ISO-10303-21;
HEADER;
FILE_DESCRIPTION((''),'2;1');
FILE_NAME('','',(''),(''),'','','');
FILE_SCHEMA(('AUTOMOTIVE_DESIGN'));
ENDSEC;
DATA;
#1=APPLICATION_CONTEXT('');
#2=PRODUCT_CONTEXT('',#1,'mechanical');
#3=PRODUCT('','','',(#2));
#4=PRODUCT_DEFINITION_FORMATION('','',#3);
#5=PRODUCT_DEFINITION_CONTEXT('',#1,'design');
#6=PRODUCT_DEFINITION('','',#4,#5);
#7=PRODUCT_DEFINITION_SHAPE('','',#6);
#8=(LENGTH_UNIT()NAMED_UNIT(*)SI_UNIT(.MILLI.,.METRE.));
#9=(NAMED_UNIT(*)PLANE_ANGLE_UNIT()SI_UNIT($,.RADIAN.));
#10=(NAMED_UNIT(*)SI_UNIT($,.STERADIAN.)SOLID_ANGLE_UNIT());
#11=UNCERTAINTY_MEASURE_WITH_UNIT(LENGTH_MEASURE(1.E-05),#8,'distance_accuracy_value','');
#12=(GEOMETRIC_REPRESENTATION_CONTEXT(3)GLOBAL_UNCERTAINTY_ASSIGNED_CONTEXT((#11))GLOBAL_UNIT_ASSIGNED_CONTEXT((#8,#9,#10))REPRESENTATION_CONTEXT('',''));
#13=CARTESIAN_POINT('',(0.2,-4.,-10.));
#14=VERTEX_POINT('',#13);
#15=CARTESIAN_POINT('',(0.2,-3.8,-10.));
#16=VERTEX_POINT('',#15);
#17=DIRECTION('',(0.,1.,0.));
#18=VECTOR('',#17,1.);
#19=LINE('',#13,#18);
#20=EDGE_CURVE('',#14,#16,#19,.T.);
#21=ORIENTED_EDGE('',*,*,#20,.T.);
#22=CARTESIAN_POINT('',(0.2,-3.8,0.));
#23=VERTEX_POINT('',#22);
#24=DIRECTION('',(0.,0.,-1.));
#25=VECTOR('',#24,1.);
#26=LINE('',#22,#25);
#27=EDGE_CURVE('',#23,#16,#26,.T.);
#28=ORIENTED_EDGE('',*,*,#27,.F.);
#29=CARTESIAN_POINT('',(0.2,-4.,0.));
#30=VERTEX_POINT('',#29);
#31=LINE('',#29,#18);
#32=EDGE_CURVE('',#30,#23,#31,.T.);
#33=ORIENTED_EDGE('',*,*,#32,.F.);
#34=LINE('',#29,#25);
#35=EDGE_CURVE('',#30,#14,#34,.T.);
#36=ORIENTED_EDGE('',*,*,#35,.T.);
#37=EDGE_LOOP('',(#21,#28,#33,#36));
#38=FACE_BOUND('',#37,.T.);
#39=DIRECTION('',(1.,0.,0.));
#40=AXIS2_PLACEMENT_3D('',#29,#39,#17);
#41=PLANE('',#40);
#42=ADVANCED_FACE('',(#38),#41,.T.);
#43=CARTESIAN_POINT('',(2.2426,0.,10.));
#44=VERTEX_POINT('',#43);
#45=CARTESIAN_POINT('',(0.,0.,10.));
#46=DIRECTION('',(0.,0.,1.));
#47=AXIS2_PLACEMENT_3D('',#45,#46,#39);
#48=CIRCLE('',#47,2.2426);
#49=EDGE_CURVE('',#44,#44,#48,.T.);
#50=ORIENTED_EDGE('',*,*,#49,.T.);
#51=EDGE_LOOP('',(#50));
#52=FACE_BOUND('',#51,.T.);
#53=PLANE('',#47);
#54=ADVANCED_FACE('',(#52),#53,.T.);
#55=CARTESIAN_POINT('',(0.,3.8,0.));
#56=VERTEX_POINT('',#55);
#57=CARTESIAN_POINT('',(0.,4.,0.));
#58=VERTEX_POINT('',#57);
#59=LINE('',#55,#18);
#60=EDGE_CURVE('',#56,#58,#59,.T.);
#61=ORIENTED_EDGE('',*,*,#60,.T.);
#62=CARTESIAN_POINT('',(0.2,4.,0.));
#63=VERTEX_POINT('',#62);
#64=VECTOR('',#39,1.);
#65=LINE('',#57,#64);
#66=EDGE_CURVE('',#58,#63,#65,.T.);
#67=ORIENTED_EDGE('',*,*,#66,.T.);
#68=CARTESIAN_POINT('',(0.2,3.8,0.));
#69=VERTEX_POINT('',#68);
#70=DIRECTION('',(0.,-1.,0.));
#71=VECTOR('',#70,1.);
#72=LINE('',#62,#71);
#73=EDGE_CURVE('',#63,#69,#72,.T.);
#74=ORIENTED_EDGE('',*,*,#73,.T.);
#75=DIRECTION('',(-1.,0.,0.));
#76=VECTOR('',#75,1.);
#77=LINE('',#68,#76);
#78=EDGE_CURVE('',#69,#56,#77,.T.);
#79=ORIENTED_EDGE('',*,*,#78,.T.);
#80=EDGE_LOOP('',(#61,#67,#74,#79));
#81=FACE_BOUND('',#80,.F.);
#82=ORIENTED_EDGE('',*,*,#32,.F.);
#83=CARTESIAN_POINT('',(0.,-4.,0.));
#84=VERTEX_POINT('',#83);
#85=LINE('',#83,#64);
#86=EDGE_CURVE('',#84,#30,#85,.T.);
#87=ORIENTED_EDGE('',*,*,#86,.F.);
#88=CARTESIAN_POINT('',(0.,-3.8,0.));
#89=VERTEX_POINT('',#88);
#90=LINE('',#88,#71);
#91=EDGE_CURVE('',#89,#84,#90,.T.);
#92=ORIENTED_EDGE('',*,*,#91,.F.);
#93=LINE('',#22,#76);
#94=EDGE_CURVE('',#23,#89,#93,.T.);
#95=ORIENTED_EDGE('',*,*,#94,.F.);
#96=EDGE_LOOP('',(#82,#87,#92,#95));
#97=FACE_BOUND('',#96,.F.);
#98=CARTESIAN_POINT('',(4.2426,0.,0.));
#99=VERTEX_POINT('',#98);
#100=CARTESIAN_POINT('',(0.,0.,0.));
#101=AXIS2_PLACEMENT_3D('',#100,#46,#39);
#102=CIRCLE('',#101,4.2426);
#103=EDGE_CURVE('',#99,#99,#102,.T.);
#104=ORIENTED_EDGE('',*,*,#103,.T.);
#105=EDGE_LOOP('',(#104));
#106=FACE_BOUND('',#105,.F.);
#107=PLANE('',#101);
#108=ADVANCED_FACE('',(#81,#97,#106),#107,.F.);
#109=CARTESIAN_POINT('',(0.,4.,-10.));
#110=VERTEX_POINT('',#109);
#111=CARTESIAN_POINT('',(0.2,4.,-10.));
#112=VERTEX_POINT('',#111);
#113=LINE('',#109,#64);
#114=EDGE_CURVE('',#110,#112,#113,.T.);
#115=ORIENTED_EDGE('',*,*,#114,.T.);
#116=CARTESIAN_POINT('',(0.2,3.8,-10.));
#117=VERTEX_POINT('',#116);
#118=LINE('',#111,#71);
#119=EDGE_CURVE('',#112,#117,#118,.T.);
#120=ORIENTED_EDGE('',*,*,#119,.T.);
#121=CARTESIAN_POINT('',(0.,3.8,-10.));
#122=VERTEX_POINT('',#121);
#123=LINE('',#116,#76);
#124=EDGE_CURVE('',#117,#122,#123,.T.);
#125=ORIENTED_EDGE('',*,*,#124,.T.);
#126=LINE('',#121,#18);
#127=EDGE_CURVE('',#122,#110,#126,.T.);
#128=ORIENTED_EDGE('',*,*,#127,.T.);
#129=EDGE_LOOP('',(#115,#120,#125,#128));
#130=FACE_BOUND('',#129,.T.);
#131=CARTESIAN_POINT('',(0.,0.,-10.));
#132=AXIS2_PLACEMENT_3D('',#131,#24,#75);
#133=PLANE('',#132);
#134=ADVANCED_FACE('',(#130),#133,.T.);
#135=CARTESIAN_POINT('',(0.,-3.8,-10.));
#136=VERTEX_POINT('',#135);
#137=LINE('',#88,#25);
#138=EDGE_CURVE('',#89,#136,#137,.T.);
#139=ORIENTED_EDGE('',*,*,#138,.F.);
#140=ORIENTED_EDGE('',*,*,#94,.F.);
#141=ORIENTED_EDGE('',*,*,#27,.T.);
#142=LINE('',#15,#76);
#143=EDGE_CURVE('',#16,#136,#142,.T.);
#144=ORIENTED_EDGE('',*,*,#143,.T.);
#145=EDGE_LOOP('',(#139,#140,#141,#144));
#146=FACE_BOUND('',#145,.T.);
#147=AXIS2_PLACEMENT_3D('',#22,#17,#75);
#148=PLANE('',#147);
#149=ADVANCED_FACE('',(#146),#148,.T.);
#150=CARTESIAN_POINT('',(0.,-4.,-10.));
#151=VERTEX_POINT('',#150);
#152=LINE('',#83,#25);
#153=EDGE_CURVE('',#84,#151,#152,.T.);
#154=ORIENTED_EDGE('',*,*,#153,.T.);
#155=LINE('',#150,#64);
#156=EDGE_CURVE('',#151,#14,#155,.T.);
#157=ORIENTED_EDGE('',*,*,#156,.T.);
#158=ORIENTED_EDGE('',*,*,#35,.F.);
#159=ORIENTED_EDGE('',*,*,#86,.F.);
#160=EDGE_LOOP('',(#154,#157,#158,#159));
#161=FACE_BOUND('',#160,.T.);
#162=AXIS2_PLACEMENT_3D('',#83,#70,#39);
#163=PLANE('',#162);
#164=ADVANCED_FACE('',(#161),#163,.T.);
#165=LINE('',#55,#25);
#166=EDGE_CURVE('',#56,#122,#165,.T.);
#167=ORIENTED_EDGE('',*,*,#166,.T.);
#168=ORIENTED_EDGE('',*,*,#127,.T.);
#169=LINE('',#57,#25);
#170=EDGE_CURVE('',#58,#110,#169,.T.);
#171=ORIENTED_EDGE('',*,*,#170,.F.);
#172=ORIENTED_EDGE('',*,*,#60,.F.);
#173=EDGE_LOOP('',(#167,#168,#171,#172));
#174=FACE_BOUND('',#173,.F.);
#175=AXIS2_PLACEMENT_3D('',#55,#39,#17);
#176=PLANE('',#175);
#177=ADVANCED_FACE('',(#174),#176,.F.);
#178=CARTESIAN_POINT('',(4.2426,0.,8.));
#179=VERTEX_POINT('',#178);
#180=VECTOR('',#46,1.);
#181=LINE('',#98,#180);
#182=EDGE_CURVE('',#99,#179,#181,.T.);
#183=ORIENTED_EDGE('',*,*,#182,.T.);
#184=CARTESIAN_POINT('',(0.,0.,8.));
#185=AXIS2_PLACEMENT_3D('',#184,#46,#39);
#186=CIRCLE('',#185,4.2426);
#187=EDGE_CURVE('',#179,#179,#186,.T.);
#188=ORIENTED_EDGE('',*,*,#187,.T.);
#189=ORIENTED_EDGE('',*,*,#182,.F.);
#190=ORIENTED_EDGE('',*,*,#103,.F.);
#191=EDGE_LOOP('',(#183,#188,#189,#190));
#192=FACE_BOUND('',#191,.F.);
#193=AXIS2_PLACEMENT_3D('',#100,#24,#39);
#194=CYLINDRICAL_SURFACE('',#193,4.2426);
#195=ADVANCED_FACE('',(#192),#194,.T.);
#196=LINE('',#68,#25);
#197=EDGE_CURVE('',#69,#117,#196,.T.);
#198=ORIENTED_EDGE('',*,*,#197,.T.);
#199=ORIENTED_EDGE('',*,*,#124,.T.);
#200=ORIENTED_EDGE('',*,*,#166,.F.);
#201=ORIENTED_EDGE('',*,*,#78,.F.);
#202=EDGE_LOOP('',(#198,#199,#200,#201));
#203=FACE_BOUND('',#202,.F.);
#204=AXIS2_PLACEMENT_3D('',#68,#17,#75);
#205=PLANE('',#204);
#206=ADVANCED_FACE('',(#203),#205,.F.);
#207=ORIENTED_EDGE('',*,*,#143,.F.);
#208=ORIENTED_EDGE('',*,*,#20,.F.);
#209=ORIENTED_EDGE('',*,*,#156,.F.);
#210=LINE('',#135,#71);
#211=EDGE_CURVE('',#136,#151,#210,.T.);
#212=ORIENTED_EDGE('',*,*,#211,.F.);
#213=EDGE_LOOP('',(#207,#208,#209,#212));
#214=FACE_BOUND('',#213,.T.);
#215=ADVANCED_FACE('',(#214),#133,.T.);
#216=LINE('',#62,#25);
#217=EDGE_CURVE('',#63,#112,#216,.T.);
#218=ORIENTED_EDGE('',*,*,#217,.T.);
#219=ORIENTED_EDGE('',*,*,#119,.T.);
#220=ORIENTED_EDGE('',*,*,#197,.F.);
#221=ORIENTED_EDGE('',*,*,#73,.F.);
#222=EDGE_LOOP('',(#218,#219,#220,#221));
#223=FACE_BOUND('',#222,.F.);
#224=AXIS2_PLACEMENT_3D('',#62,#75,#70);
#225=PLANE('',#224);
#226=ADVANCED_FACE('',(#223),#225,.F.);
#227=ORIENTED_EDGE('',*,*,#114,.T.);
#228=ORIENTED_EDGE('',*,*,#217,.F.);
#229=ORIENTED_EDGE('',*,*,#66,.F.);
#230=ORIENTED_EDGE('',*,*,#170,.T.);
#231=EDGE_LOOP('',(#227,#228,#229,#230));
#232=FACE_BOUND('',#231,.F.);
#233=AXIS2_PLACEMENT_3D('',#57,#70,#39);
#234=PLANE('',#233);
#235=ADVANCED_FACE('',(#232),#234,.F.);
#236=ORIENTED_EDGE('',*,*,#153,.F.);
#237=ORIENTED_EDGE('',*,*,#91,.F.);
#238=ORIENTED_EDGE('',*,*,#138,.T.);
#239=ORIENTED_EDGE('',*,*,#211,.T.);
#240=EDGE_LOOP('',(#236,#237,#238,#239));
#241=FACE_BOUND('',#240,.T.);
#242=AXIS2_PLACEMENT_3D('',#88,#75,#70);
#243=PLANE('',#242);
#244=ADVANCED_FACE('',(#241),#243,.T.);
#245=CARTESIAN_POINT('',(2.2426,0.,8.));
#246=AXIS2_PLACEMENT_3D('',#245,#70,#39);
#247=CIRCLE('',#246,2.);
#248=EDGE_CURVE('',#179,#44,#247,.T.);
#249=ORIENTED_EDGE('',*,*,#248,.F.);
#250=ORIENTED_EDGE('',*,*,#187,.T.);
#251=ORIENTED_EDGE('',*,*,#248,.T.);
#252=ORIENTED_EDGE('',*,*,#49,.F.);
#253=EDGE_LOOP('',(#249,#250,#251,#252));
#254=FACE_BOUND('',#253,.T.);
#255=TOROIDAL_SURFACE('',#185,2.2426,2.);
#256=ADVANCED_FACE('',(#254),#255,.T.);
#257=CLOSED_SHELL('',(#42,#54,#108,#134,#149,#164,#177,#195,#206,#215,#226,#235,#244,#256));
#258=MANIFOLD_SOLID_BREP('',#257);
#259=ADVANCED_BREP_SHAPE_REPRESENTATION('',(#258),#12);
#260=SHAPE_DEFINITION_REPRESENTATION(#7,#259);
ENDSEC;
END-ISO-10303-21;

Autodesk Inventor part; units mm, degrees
ref_plane "YZ Plane" through (0, 0, 0) normal (1, 0, 0) x (0, 1, 0)
ref_plane "XZ Plane" through (0, 0, 0) normal (0, 1, 0) x (-1, 0, 0)
ref_plane "XY Plane" through (0, 0, 0) normal (0, 0, 1) x (1, 0, 0)
sketch "Sketch1" plane through (0, 0, 0) normal (0, 0, 1) x (1, 0, 0)
  circle A0 centre (0, 0) radius 4.2426
extrude "Extrusion1" add sketch "Sketch1" along normal blind 10
fillet "Fillet1" radius 2 1 edges at (-4.2426, 0, 10)
sketch "Sketch2" plane through (0, 0, 0) normal (0, 0, -1) x (-1, 0, 0)
  line L0 (0, -4) -> (-0.2, -4)
  line L1 (-0.2, -4) -> (-0.2, -3.8)
  line L2 (-0.2, -3.8) -> (0, -3.8)
  line L3 (0, -3.8) -> (0, -4)
  line L4 (0, 4) -> (-0.2, 4)
  line L5 (-0.2, 4) -> (-0.2, 3.8)
  line L6 (-0.2, 3.8) -> (0, 3.8)
  line L7 (0, 3.8) -> (0, 4)
  point P0 (0, 0)
  dimension "d3" = 0.2
  dimension "d4" = 0.2
  dimension "d5" = 0.2
  dimension "d6" = 0.2
extrude "Extrusion2" add sketch "Sketch2" along normal blind 10 contours L0 L1 L2 L3
sketch "Sketch3" plane through (0, 0, 0) normal (0, 0, -1) x (-1, 0, 0)
  point P0 (0, 0)
sketch "Sketch4" plane through (0, 0, 0) normal (0, 0, -1) x (-1, 0, 0)
  line L0 (0, 4) -> (-0.2, 4)
  line L1 (-0.2, 4) -> (-0.2, 3.8)
  line L2 (-0.2, 3.8) -> (0, 3.8)
  line L3 (0, 3.8) -> (0, 4)
  point P0 (0, 0)
  dimension "d9" = 0.2
  dimension "d10" = 0.2
extrude "Extrusion3" add sketch "Sketch4" along normal blind 10
properties part number "bulb" material "Glass"
